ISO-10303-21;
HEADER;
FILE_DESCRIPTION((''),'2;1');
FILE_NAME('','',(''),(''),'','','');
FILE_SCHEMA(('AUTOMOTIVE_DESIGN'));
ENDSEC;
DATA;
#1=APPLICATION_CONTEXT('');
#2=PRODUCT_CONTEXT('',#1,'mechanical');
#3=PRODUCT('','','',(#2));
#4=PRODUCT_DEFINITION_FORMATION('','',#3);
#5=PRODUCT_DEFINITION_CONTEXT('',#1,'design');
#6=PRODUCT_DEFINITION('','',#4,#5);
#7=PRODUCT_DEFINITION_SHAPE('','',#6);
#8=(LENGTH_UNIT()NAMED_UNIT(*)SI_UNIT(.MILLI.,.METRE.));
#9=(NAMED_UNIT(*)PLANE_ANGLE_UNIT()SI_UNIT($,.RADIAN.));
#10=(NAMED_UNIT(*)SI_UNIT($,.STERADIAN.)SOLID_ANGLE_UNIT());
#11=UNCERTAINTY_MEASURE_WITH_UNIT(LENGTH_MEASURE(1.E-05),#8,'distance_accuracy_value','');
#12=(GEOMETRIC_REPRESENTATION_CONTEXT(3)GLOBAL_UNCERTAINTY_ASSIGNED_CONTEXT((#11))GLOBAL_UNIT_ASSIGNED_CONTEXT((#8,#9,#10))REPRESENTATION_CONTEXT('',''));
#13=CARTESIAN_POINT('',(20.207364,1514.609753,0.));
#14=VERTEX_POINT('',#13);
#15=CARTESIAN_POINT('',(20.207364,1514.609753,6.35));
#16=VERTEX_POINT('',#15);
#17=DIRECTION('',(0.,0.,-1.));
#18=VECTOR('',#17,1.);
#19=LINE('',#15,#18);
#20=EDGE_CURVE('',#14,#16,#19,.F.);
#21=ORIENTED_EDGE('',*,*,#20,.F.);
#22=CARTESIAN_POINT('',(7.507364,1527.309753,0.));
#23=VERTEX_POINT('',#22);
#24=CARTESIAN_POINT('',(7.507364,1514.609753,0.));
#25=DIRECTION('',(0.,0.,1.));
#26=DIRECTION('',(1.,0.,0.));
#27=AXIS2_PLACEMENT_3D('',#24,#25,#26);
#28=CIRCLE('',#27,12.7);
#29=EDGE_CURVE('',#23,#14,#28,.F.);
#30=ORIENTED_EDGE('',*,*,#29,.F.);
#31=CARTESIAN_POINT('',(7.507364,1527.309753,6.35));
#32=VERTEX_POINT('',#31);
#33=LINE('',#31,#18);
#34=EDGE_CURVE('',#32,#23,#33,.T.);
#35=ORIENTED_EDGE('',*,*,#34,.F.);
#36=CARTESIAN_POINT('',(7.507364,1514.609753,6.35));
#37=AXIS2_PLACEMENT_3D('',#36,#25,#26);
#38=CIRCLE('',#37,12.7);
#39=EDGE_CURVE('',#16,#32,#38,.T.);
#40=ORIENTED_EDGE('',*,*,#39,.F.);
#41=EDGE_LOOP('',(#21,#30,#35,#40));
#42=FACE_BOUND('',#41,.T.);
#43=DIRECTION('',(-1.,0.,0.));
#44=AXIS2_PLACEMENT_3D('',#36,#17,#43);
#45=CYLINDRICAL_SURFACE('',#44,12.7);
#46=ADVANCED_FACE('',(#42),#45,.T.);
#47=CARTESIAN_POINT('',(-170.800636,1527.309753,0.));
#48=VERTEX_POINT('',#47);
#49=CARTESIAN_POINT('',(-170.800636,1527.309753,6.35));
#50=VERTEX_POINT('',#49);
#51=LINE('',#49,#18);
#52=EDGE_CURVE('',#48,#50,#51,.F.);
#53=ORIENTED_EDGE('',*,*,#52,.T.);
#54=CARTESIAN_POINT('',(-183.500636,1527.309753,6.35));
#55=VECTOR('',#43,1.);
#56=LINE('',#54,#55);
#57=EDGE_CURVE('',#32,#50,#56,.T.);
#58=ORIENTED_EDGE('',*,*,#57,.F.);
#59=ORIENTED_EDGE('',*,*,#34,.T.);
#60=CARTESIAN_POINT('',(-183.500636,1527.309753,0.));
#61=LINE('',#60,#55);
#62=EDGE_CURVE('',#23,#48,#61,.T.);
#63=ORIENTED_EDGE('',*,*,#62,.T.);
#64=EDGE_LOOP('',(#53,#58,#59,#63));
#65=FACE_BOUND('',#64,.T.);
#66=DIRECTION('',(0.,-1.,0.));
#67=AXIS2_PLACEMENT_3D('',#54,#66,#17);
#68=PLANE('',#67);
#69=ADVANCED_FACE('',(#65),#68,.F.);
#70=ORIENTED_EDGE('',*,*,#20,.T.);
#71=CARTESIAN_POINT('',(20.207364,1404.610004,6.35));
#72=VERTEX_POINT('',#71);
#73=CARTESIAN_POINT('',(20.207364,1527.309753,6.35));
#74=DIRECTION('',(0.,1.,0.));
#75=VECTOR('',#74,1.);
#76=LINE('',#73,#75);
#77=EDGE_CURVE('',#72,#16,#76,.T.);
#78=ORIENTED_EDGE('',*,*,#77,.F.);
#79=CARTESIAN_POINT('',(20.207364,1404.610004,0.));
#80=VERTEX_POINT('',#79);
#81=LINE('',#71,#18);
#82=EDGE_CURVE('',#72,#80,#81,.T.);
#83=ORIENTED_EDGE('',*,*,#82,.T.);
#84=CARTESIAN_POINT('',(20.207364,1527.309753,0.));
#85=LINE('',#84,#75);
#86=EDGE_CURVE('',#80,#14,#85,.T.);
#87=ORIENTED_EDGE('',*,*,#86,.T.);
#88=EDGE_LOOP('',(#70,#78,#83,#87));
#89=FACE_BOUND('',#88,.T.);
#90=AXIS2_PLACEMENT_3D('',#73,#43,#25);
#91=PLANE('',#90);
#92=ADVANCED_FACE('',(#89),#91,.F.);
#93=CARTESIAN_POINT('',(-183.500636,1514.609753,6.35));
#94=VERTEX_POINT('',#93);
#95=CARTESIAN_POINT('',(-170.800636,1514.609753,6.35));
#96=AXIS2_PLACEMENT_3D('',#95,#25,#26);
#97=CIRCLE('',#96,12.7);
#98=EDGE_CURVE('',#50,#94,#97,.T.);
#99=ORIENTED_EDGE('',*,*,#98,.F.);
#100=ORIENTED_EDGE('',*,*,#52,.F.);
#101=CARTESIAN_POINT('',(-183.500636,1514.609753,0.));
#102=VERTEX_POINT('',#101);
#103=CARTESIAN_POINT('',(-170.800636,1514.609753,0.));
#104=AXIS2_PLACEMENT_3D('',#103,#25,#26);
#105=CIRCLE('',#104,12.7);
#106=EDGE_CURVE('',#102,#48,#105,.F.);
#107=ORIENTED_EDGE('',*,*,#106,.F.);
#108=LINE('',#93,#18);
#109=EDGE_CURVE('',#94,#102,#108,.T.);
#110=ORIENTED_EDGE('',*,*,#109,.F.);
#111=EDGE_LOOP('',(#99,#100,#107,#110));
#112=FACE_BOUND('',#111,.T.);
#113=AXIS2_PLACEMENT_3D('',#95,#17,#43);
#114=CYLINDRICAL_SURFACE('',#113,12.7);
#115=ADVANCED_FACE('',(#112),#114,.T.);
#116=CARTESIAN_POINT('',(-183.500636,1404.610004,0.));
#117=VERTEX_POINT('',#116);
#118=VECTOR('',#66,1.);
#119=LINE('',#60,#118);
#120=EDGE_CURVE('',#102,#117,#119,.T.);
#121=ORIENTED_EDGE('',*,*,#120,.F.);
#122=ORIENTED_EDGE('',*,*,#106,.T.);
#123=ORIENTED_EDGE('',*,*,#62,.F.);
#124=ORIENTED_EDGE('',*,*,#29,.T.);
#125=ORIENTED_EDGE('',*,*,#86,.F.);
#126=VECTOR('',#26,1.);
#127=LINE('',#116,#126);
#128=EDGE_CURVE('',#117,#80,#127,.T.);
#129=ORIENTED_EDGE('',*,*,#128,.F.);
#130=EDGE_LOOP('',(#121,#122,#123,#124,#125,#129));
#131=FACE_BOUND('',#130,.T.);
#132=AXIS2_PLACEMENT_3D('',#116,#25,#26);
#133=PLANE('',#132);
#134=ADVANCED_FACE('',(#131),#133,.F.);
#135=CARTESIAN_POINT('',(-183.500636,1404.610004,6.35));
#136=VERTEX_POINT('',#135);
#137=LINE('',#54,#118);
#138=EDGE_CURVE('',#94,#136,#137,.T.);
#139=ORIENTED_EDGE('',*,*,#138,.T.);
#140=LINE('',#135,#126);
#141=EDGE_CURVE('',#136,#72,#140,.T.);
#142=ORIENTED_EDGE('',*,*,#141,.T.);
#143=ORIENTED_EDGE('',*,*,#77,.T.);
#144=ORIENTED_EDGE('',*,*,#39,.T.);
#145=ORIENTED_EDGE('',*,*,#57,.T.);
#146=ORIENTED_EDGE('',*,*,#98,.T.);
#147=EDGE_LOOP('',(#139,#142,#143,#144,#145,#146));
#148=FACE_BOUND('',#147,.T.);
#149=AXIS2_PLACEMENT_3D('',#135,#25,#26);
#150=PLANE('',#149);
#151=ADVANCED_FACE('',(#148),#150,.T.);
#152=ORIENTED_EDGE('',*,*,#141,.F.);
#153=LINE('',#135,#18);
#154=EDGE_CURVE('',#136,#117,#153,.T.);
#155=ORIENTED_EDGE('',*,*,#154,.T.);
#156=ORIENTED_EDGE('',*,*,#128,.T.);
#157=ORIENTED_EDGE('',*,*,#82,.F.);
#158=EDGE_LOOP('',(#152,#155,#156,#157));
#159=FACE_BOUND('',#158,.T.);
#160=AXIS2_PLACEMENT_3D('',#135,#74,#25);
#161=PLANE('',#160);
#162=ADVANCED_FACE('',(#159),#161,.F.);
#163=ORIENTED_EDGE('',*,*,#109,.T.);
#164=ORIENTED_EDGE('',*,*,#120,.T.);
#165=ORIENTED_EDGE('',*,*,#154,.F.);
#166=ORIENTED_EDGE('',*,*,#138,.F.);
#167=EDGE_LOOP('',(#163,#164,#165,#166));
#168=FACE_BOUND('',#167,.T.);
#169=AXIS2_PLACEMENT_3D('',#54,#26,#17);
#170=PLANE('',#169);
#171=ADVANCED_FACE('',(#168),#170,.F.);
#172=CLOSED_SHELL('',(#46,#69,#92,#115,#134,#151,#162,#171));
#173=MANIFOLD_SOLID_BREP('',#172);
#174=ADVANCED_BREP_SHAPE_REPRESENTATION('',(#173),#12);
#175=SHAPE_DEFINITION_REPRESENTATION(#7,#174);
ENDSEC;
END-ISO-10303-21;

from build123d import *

# Parameters (mm, degrees)
SKETCH1_W           = 203.708
SKETCH1_H           = 122.699748668
BOSS_EXTRUDE1_DEPTH = 6.35
FILLET1_R           = 12.7


with BuildPart() as part:
    # Sketch1 → Boss-Extrude1 (new body)
    with BuildSketch(Plane.XY):
        with Locations((-81.646636302, 1465.959878685)):
            Rectangle(SKETCH1_W, SKETCH1_H)
    extrude(amount=BOSS_EXTRUDE1_DEPTH)

    # Fillet1
    fillet1_edges = [part.edges().sort_by_distance(p)[0] for p in [
        (-183.500636302, 1527.309753019, 3.175),
        (20.207363698, 1527.309753019, 3.175),
    ]]
    fillet(fillet1_edges, radius=FILLET1_R)


solid = part.part
